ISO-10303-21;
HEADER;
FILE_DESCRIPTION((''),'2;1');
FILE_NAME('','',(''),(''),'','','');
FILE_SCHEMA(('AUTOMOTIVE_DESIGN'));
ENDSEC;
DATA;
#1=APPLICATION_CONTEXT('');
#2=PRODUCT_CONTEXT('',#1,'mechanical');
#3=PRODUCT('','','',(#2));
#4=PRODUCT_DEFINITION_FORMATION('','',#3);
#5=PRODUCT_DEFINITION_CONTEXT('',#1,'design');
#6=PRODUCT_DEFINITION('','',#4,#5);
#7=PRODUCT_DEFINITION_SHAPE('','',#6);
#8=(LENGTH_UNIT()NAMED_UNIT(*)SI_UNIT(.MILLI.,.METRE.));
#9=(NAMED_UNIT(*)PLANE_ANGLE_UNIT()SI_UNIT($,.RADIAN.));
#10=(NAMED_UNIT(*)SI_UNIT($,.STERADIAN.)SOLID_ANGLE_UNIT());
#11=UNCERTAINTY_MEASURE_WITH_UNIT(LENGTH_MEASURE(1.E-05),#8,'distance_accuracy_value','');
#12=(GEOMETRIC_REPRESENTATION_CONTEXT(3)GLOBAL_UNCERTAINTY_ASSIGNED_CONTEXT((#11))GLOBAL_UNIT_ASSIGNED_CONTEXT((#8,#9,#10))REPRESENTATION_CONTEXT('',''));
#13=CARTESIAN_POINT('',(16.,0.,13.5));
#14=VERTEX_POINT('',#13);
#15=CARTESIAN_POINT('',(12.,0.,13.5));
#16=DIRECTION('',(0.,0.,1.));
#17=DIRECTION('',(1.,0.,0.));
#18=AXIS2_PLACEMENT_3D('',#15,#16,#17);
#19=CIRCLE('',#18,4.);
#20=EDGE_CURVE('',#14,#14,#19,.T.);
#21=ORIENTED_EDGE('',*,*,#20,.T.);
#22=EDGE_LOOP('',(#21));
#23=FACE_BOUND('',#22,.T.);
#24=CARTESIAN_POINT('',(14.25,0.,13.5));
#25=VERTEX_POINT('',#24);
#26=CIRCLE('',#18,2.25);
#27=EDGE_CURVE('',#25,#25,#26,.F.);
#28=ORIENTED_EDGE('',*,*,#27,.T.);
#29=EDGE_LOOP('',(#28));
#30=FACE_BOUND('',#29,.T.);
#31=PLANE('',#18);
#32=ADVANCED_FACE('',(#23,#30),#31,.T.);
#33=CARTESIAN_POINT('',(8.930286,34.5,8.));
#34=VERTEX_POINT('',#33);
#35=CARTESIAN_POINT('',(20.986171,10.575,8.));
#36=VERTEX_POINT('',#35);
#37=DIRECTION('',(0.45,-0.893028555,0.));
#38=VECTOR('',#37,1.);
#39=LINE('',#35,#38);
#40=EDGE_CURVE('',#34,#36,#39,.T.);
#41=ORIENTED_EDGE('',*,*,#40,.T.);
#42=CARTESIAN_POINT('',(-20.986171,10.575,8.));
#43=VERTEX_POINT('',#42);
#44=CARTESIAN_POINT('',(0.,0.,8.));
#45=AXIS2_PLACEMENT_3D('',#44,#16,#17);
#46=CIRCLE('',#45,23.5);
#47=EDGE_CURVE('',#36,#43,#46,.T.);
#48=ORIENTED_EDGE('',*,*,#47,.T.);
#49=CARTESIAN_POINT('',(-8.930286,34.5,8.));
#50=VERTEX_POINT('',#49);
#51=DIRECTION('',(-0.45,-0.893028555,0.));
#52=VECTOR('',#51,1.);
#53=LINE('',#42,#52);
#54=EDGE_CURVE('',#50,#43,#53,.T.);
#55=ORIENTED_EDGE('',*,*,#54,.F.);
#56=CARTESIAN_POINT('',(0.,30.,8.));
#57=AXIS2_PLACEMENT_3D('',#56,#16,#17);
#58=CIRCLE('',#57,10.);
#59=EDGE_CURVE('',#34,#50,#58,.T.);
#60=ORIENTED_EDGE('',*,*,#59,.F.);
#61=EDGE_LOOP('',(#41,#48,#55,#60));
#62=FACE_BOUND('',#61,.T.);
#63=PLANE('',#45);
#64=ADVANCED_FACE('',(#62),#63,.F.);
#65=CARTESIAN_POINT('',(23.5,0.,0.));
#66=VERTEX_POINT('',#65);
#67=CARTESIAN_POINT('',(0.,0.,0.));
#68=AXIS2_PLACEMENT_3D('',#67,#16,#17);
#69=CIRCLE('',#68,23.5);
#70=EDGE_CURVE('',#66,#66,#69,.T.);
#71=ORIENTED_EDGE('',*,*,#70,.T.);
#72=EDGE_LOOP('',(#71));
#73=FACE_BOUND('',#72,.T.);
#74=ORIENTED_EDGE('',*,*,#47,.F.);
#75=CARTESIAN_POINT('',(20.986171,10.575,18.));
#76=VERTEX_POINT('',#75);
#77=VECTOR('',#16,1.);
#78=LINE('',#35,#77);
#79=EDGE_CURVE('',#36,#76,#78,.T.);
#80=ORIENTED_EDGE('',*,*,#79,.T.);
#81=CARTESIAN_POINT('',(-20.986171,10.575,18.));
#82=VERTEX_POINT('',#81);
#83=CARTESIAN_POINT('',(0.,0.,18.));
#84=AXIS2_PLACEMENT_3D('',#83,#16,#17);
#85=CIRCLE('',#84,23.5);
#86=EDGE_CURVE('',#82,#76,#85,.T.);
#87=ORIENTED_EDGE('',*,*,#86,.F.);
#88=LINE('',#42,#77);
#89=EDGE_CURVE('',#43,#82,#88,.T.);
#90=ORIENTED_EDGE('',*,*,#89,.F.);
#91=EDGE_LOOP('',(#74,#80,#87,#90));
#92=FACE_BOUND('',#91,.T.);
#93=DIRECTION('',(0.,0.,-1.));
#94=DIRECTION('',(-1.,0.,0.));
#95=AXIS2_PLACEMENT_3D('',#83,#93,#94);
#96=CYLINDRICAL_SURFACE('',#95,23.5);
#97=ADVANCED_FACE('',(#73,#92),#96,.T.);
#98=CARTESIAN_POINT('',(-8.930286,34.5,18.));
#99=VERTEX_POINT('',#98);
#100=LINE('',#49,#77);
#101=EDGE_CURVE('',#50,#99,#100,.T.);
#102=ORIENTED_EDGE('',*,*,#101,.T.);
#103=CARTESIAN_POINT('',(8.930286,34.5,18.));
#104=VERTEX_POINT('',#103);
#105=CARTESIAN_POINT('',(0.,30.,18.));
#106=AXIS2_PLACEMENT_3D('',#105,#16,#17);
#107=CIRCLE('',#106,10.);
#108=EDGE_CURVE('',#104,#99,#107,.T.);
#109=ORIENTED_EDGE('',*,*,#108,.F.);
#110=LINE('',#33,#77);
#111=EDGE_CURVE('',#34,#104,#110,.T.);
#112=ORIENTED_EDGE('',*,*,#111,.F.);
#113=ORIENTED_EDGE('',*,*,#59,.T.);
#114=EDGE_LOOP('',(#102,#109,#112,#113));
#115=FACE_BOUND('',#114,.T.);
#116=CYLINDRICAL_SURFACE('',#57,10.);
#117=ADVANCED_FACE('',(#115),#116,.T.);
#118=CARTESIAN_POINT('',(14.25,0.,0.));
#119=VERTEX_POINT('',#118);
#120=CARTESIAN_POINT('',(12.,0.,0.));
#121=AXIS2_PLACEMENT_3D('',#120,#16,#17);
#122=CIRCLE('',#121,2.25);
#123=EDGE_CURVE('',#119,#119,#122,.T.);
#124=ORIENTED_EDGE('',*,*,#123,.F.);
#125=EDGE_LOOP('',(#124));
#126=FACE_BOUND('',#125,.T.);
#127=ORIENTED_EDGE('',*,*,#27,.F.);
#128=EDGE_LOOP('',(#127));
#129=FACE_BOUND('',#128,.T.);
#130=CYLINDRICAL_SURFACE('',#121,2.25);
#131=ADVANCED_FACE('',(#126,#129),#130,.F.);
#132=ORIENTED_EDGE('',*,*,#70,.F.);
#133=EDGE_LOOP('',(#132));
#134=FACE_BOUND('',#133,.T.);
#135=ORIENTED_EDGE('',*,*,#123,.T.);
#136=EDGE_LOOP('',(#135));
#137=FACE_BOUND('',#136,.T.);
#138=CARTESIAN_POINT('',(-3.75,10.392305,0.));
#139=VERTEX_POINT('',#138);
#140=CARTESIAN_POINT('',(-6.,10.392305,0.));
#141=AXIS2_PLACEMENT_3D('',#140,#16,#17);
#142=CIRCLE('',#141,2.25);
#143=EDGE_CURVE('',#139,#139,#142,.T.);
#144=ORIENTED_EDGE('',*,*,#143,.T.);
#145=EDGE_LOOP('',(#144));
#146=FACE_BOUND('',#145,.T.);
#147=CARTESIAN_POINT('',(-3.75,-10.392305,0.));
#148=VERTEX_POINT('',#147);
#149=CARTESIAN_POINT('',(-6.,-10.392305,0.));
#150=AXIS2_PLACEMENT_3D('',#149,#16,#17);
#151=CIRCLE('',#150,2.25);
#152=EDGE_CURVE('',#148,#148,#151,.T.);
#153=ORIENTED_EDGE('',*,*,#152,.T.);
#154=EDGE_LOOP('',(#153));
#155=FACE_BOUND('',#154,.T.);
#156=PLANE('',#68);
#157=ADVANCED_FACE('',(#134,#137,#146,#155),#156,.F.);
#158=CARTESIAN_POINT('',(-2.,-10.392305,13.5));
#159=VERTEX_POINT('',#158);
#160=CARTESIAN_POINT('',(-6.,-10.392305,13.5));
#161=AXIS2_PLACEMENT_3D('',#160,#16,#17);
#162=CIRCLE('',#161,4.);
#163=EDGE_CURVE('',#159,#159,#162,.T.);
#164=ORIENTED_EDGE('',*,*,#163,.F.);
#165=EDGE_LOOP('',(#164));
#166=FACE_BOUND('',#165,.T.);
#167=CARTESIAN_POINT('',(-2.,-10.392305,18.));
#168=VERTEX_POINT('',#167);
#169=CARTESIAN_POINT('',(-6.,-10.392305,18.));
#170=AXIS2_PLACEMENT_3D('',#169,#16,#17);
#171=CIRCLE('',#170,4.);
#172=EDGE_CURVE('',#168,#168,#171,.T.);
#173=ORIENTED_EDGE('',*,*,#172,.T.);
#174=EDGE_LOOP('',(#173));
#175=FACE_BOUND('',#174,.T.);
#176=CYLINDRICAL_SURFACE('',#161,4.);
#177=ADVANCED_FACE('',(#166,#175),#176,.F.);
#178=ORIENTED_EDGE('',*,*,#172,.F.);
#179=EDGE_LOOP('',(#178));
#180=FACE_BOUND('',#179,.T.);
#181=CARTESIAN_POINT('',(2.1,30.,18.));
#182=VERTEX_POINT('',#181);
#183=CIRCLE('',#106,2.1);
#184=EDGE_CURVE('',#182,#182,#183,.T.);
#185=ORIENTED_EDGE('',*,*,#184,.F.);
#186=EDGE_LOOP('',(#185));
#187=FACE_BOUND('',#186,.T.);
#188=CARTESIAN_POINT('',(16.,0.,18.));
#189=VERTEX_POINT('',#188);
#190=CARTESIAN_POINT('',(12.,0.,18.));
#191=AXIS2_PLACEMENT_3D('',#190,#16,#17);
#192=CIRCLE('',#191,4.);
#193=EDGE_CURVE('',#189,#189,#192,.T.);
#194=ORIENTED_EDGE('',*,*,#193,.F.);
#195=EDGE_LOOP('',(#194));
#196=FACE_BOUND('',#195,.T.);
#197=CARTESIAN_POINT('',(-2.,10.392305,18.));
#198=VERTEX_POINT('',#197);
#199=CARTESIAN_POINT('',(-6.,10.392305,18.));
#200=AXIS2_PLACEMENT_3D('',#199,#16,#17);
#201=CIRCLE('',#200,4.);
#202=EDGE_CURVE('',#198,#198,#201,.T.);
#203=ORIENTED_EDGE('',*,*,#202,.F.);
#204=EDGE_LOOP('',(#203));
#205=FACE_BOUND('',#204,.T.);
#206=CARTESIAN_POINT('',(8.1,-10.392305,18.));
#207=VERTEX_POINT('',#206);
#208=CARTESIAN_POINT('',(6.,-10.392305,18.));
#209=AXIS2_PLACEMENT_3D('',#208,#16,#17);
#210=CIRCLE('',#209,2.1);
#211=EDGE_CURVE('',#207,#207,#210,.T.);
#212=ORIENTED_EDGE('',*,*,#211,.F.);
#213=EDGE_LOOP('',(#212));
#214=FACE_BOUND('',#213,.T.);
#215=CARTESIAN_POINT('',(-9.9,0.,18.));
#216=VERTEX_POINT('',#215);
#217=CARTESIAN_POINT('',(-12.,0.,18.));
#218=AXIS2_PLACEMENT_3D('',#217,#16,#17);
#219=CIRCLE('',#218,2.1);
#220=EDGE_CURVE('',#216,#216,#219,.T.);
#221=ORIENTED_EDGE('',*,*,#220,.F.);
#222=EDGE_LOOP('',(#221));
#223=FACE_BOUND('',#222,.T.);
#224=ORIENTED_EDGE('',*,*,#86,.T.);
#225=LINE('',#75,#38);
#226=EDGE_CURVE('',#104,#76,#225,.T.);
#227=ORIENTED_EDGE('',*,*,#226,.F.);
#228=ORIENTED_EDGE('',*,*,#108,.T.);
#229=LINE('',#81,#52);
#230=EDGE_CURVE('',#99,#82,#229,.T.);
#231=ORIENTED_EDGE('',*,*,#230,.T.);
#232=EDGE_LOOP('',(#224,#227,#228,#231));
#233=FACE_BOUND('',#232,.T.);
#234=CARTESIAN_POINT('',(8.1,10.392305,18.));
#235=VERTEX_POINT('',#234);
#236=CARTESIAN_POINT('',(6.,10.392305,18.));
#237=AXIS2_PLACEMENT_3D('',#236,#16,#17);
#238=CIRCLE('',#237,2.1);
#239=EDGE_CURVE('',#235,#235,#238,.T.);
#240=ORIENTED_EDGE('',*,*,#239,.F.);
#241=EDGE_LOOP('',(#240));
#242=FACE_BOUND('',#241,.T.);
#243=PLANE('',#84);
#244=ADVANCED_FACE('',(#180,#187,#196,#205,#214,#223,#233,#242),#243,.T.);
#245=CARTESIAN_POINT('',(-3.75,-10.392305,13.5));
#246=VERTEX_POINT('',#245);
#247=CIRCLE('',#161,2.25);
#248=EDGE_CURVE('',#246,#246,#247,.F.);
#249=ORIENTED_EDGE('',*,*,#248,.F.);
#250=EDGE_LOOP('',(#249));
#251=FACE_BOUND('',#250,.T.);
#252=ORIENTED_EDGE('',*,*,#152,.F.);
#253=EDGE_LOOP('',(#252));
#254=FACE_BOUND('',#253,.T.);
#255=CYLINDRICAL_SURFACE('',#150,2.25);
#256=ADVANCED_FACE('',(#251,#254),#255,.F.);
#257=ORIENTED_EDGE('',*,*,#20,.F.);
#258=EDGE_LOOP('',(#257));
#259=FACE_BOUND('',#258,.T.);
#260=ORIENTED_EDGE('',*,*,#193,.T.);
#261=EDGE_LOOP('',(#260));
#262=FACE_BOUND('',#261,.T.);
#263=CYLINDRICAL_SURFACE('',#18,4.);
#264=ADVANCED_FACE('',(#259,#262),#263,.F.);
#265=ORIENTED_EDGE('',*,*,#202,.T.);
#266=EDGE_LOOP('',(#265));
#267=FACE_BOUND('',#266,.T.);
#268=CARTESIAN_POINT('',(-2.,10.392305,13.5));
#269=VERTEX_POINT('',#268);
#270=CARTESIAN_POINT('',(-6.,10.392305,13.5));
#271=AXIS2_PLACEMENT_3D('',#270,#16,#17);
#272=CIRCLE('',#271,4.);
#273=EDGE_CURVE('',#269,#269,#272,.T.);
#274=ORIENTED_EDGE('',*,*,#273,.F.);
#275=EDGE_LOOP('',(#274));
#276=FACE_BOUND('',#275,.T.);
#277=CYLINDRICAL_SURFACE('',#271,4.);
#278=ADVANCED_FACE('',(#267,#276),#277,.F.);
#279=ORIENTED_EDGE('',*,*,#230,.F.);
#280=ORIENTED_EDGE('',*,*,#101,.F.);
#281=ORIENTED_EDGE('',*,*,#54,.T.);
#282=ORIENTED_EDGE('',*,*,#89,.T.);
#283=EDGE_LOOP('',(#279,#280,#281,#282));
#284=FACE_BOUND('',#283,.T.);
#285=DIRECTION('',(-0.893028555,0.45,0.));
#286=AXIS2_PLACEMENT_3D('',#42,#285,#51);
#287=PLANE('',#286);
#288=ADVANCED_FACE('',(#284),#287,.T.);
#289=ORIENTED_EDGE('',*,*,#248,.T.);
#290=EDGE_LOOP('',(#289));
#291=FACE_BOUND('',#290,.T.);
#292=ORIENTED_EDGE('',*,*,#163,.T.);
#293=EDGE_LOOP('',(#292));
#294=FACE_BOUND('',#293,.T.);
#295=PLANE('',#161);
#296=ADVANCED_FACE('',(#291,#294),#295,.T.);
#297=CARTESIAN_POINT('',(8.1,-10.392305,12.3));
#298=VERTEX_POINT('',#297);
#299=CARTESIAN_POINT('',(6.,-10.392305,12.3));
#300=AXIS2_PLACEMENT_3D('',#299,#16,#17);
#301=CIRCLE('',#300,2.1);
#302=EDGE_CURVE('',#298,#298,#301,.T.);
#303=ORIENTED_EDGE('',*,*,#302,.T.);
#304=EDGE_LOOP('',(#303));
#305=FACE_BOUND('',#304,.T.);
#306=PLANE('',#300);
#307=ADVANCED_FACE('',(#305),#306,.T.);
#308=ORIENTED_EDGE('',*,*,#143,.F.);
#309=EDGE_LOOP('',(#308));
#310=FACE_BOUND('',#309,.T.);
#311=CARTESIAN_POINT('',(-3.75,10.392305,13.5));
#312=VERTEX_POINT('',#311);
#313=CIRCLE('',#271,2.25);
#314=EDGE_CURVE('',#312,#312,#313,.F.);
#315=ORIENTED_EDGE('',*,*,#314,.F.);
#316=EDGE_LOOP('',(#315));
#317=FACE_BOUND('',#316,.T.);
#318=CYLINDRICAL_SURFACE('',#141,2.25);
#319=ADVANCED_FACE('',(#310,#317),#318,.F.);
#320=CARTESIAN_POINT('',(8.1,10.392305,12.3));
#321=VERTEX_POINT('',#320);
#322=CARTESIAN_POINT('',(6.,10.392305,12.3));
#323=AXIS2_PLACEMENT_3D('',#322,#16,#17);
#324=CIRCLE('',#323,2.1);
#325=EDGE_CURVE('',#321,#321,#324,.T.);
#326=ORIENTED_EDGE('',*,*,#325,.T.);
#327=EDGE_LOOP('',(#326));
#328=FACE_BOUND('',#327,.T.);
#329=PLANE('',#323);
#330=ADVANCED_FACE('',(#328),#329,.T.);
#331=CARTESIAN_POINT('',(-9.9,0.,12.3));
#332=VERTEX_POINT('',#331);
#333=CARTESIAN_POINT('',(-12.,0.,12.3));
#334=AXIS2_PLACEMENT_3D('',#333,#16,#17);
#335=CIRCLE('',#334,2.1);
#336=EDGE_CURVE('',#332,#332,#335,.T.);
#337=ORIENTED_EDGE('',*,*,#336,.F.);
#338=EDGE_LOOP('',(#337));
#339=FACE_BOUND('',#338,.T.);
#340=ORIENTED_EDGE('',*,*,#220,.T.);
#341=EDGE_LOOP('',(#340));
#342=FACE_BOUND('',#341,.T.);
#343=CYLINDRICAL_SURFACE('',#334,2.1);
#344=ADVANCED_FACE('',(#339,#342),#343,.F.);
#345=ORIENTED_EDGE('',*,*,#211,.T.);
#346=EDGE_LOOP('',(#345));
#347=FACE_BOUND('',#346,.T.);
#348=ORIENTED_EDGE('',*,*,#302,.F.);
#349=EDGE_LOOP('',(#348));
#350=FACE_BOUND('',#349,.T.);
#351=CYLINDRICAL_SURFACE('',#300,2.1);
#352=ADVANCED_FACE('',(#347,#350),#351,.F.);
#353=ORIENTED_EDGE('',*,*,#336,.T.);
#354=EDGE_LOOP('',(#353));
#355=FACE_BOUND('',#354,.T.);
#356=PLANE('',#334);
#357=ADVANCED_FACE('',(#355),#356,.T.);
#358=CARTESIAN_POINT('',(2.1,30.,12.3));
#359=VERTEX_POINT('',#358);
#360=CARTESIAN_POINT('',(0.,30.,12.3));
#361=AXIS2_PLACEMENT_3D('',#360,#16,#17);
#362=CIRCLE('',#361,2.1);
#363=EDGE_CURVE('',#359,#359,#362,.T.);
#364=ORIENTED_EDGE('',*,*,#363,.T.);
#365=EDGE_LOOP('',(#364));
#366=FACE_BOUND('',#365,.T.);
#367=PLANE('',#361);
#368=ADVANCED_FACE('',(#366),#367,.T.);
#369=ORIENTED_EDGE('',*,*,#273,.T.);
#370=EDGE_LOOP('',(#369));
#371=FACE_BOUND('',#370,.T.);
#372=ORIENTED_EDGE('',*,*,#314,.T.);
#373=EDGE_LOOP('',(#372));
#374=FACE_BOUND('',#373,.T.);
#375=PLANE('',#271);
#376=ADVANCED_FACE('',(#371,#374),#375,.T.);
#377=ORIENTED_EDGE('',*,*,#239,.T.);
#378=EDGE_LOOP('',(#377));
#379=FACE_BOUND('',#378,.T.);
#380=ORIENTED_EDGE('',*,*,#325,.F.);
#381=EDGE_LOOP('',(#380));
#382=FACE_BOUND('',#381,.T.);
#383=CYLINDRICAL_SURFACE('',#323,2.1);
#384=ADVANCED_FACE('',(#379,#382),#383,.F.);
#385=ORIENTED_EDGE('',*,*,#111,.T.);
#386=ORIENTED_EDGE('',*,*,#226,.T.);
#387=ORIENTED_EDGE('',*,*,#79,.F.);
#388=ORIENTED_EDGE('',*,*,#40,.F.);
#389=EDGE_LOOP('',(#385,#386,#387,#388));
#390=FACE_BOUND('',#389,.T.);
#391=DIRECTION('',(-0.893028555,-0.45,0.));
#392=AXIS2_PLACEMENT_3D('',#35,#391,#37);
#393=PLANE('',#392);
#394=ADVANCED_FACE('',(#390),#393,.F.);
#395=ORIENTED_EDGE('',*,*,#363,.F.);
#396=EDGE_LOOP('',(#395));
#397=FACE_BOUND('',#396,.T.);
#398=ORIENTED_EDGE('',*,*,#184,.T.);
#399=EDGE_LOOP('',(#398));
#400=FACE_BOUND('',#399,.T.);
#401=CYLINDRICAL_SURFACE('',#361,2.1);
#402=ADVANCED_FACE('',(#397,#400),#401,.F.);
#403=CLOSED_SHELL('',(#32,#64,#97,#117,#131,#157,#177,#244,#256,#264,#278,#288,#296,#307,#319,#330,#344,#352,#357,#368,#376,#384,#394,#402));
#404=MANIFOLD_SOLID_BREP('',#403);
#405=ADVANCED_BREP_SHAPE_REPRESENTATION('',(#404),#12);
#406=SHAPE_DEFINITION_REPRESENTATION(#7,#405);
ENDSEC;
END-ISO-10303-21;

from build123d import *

# Parameters (mm, degrees)
SKETCH1_R           = 23.5
BOSS_EXTRUDE1_DEPTH = 18
BOSS_EXTRUDE2_START = -10
BOSS_EXTRUDE2_DEPTH = 10
SKETCH8_R           = 2.25
CUT_EXTRUDE3_DEPTH  = 50.761933242
SKETCH9_R           = 4
CUT_EXTRUDE4_DEPTH  = 4.5
SKETCH10_R          = 2.1
CUT_EXTRUDE5_DEPTH  = 5.7


with BuildPart() as part:
    # Sketch1 → Boss-Extrude1 (new body)
    with BuildSketch(Plane.XY):
        Circle(SKETCH1_R)
    extrude(amount=BOSS_EXTRUDE1_DEPTH)

    # Sketch7 → Boss-Extrude2 (add)
    with BuildSketch(Plane.XY.offset(18).offset(BOSS_EXTRUDE2_START)):
        with BuildLine():
            ThreePointArc((0, 23.5), (12.323503966, 20.00952898), (20.986171042, 10.575))
            Line((20.986171042, 10.575), (8.93028555, 34.5))
            ThreePointArc((8.93028555, 34.5), (0, 40), (-8.93028555, 34.5))
            Line((-8.93028555, 34.5), (-20.986171042, 10.575))
            ThreePointArc((-20.986171042, 10.575), (-12.323503966, 20.00952898), (0, 23.5))
        make_face()
    extrude(amount=BOSS_EXTRUDE2_DEPTH)

    # Sketch8 → Cut-Extrude3 (cut, through all)
    with BuildSketch(Plane.XY.offset(18)):
        with Locations((12, 0)):
            Circle(SKETCH8_R)
        with Locations((-6, -10.392304845)):
            Circle(SKETCH8_R)
        with Locations((-6, 10.392304845)):
            Circle(SKETCH8_R)
    extrude(amount=-CUT_EXTRUDE3_DEPTH, mode=Mode.SUBTRACT)

    # Sketch9 → Cut-Extrude4 (cut)
    with BuildSketch(Plane.XY.offset(18)):
        with Locations((-6, 10.392304845)):
            Circle(SKETCH9_R)
        with Locations((12, 0)):
            Circle(SKETCH9_R)
        with Locations((-6, -10.392304845)):
            Circle(SKETCH9_R)
    extrude(amount=-CUT_EXTRUDE4_DEPTH, mode=Mode.SUBTRACT)

    # Sketch10 → Cut-Extrude5 (cut)
    with BuildSketch(Plane.XY.offset(18)):
        with Locations((0, 30)):
            Circle(SKETCH10_R)
        with Locations((12, 0)):
            Circle(SKETCH10_R)
        with Locations((6, -10.392304845)):
            Circle(SKETCH10_R)
        with Locations((-6, -10.392304845)):
            Circle(SKETCH10_R)
        with Locations((-12, 0)):
            Circle(SKETCH10_R)
        with Locations((-6, 10.392304845)):
            Circle(SKETCH10_R)
        with Locations((6, 10.392304845)):
            Circle(SKETCH10_R)
    extrude(amount=-CUT_EXTRUDE5_DEPTH, mode=Mode.SUBTRACT)


solid = part.part
